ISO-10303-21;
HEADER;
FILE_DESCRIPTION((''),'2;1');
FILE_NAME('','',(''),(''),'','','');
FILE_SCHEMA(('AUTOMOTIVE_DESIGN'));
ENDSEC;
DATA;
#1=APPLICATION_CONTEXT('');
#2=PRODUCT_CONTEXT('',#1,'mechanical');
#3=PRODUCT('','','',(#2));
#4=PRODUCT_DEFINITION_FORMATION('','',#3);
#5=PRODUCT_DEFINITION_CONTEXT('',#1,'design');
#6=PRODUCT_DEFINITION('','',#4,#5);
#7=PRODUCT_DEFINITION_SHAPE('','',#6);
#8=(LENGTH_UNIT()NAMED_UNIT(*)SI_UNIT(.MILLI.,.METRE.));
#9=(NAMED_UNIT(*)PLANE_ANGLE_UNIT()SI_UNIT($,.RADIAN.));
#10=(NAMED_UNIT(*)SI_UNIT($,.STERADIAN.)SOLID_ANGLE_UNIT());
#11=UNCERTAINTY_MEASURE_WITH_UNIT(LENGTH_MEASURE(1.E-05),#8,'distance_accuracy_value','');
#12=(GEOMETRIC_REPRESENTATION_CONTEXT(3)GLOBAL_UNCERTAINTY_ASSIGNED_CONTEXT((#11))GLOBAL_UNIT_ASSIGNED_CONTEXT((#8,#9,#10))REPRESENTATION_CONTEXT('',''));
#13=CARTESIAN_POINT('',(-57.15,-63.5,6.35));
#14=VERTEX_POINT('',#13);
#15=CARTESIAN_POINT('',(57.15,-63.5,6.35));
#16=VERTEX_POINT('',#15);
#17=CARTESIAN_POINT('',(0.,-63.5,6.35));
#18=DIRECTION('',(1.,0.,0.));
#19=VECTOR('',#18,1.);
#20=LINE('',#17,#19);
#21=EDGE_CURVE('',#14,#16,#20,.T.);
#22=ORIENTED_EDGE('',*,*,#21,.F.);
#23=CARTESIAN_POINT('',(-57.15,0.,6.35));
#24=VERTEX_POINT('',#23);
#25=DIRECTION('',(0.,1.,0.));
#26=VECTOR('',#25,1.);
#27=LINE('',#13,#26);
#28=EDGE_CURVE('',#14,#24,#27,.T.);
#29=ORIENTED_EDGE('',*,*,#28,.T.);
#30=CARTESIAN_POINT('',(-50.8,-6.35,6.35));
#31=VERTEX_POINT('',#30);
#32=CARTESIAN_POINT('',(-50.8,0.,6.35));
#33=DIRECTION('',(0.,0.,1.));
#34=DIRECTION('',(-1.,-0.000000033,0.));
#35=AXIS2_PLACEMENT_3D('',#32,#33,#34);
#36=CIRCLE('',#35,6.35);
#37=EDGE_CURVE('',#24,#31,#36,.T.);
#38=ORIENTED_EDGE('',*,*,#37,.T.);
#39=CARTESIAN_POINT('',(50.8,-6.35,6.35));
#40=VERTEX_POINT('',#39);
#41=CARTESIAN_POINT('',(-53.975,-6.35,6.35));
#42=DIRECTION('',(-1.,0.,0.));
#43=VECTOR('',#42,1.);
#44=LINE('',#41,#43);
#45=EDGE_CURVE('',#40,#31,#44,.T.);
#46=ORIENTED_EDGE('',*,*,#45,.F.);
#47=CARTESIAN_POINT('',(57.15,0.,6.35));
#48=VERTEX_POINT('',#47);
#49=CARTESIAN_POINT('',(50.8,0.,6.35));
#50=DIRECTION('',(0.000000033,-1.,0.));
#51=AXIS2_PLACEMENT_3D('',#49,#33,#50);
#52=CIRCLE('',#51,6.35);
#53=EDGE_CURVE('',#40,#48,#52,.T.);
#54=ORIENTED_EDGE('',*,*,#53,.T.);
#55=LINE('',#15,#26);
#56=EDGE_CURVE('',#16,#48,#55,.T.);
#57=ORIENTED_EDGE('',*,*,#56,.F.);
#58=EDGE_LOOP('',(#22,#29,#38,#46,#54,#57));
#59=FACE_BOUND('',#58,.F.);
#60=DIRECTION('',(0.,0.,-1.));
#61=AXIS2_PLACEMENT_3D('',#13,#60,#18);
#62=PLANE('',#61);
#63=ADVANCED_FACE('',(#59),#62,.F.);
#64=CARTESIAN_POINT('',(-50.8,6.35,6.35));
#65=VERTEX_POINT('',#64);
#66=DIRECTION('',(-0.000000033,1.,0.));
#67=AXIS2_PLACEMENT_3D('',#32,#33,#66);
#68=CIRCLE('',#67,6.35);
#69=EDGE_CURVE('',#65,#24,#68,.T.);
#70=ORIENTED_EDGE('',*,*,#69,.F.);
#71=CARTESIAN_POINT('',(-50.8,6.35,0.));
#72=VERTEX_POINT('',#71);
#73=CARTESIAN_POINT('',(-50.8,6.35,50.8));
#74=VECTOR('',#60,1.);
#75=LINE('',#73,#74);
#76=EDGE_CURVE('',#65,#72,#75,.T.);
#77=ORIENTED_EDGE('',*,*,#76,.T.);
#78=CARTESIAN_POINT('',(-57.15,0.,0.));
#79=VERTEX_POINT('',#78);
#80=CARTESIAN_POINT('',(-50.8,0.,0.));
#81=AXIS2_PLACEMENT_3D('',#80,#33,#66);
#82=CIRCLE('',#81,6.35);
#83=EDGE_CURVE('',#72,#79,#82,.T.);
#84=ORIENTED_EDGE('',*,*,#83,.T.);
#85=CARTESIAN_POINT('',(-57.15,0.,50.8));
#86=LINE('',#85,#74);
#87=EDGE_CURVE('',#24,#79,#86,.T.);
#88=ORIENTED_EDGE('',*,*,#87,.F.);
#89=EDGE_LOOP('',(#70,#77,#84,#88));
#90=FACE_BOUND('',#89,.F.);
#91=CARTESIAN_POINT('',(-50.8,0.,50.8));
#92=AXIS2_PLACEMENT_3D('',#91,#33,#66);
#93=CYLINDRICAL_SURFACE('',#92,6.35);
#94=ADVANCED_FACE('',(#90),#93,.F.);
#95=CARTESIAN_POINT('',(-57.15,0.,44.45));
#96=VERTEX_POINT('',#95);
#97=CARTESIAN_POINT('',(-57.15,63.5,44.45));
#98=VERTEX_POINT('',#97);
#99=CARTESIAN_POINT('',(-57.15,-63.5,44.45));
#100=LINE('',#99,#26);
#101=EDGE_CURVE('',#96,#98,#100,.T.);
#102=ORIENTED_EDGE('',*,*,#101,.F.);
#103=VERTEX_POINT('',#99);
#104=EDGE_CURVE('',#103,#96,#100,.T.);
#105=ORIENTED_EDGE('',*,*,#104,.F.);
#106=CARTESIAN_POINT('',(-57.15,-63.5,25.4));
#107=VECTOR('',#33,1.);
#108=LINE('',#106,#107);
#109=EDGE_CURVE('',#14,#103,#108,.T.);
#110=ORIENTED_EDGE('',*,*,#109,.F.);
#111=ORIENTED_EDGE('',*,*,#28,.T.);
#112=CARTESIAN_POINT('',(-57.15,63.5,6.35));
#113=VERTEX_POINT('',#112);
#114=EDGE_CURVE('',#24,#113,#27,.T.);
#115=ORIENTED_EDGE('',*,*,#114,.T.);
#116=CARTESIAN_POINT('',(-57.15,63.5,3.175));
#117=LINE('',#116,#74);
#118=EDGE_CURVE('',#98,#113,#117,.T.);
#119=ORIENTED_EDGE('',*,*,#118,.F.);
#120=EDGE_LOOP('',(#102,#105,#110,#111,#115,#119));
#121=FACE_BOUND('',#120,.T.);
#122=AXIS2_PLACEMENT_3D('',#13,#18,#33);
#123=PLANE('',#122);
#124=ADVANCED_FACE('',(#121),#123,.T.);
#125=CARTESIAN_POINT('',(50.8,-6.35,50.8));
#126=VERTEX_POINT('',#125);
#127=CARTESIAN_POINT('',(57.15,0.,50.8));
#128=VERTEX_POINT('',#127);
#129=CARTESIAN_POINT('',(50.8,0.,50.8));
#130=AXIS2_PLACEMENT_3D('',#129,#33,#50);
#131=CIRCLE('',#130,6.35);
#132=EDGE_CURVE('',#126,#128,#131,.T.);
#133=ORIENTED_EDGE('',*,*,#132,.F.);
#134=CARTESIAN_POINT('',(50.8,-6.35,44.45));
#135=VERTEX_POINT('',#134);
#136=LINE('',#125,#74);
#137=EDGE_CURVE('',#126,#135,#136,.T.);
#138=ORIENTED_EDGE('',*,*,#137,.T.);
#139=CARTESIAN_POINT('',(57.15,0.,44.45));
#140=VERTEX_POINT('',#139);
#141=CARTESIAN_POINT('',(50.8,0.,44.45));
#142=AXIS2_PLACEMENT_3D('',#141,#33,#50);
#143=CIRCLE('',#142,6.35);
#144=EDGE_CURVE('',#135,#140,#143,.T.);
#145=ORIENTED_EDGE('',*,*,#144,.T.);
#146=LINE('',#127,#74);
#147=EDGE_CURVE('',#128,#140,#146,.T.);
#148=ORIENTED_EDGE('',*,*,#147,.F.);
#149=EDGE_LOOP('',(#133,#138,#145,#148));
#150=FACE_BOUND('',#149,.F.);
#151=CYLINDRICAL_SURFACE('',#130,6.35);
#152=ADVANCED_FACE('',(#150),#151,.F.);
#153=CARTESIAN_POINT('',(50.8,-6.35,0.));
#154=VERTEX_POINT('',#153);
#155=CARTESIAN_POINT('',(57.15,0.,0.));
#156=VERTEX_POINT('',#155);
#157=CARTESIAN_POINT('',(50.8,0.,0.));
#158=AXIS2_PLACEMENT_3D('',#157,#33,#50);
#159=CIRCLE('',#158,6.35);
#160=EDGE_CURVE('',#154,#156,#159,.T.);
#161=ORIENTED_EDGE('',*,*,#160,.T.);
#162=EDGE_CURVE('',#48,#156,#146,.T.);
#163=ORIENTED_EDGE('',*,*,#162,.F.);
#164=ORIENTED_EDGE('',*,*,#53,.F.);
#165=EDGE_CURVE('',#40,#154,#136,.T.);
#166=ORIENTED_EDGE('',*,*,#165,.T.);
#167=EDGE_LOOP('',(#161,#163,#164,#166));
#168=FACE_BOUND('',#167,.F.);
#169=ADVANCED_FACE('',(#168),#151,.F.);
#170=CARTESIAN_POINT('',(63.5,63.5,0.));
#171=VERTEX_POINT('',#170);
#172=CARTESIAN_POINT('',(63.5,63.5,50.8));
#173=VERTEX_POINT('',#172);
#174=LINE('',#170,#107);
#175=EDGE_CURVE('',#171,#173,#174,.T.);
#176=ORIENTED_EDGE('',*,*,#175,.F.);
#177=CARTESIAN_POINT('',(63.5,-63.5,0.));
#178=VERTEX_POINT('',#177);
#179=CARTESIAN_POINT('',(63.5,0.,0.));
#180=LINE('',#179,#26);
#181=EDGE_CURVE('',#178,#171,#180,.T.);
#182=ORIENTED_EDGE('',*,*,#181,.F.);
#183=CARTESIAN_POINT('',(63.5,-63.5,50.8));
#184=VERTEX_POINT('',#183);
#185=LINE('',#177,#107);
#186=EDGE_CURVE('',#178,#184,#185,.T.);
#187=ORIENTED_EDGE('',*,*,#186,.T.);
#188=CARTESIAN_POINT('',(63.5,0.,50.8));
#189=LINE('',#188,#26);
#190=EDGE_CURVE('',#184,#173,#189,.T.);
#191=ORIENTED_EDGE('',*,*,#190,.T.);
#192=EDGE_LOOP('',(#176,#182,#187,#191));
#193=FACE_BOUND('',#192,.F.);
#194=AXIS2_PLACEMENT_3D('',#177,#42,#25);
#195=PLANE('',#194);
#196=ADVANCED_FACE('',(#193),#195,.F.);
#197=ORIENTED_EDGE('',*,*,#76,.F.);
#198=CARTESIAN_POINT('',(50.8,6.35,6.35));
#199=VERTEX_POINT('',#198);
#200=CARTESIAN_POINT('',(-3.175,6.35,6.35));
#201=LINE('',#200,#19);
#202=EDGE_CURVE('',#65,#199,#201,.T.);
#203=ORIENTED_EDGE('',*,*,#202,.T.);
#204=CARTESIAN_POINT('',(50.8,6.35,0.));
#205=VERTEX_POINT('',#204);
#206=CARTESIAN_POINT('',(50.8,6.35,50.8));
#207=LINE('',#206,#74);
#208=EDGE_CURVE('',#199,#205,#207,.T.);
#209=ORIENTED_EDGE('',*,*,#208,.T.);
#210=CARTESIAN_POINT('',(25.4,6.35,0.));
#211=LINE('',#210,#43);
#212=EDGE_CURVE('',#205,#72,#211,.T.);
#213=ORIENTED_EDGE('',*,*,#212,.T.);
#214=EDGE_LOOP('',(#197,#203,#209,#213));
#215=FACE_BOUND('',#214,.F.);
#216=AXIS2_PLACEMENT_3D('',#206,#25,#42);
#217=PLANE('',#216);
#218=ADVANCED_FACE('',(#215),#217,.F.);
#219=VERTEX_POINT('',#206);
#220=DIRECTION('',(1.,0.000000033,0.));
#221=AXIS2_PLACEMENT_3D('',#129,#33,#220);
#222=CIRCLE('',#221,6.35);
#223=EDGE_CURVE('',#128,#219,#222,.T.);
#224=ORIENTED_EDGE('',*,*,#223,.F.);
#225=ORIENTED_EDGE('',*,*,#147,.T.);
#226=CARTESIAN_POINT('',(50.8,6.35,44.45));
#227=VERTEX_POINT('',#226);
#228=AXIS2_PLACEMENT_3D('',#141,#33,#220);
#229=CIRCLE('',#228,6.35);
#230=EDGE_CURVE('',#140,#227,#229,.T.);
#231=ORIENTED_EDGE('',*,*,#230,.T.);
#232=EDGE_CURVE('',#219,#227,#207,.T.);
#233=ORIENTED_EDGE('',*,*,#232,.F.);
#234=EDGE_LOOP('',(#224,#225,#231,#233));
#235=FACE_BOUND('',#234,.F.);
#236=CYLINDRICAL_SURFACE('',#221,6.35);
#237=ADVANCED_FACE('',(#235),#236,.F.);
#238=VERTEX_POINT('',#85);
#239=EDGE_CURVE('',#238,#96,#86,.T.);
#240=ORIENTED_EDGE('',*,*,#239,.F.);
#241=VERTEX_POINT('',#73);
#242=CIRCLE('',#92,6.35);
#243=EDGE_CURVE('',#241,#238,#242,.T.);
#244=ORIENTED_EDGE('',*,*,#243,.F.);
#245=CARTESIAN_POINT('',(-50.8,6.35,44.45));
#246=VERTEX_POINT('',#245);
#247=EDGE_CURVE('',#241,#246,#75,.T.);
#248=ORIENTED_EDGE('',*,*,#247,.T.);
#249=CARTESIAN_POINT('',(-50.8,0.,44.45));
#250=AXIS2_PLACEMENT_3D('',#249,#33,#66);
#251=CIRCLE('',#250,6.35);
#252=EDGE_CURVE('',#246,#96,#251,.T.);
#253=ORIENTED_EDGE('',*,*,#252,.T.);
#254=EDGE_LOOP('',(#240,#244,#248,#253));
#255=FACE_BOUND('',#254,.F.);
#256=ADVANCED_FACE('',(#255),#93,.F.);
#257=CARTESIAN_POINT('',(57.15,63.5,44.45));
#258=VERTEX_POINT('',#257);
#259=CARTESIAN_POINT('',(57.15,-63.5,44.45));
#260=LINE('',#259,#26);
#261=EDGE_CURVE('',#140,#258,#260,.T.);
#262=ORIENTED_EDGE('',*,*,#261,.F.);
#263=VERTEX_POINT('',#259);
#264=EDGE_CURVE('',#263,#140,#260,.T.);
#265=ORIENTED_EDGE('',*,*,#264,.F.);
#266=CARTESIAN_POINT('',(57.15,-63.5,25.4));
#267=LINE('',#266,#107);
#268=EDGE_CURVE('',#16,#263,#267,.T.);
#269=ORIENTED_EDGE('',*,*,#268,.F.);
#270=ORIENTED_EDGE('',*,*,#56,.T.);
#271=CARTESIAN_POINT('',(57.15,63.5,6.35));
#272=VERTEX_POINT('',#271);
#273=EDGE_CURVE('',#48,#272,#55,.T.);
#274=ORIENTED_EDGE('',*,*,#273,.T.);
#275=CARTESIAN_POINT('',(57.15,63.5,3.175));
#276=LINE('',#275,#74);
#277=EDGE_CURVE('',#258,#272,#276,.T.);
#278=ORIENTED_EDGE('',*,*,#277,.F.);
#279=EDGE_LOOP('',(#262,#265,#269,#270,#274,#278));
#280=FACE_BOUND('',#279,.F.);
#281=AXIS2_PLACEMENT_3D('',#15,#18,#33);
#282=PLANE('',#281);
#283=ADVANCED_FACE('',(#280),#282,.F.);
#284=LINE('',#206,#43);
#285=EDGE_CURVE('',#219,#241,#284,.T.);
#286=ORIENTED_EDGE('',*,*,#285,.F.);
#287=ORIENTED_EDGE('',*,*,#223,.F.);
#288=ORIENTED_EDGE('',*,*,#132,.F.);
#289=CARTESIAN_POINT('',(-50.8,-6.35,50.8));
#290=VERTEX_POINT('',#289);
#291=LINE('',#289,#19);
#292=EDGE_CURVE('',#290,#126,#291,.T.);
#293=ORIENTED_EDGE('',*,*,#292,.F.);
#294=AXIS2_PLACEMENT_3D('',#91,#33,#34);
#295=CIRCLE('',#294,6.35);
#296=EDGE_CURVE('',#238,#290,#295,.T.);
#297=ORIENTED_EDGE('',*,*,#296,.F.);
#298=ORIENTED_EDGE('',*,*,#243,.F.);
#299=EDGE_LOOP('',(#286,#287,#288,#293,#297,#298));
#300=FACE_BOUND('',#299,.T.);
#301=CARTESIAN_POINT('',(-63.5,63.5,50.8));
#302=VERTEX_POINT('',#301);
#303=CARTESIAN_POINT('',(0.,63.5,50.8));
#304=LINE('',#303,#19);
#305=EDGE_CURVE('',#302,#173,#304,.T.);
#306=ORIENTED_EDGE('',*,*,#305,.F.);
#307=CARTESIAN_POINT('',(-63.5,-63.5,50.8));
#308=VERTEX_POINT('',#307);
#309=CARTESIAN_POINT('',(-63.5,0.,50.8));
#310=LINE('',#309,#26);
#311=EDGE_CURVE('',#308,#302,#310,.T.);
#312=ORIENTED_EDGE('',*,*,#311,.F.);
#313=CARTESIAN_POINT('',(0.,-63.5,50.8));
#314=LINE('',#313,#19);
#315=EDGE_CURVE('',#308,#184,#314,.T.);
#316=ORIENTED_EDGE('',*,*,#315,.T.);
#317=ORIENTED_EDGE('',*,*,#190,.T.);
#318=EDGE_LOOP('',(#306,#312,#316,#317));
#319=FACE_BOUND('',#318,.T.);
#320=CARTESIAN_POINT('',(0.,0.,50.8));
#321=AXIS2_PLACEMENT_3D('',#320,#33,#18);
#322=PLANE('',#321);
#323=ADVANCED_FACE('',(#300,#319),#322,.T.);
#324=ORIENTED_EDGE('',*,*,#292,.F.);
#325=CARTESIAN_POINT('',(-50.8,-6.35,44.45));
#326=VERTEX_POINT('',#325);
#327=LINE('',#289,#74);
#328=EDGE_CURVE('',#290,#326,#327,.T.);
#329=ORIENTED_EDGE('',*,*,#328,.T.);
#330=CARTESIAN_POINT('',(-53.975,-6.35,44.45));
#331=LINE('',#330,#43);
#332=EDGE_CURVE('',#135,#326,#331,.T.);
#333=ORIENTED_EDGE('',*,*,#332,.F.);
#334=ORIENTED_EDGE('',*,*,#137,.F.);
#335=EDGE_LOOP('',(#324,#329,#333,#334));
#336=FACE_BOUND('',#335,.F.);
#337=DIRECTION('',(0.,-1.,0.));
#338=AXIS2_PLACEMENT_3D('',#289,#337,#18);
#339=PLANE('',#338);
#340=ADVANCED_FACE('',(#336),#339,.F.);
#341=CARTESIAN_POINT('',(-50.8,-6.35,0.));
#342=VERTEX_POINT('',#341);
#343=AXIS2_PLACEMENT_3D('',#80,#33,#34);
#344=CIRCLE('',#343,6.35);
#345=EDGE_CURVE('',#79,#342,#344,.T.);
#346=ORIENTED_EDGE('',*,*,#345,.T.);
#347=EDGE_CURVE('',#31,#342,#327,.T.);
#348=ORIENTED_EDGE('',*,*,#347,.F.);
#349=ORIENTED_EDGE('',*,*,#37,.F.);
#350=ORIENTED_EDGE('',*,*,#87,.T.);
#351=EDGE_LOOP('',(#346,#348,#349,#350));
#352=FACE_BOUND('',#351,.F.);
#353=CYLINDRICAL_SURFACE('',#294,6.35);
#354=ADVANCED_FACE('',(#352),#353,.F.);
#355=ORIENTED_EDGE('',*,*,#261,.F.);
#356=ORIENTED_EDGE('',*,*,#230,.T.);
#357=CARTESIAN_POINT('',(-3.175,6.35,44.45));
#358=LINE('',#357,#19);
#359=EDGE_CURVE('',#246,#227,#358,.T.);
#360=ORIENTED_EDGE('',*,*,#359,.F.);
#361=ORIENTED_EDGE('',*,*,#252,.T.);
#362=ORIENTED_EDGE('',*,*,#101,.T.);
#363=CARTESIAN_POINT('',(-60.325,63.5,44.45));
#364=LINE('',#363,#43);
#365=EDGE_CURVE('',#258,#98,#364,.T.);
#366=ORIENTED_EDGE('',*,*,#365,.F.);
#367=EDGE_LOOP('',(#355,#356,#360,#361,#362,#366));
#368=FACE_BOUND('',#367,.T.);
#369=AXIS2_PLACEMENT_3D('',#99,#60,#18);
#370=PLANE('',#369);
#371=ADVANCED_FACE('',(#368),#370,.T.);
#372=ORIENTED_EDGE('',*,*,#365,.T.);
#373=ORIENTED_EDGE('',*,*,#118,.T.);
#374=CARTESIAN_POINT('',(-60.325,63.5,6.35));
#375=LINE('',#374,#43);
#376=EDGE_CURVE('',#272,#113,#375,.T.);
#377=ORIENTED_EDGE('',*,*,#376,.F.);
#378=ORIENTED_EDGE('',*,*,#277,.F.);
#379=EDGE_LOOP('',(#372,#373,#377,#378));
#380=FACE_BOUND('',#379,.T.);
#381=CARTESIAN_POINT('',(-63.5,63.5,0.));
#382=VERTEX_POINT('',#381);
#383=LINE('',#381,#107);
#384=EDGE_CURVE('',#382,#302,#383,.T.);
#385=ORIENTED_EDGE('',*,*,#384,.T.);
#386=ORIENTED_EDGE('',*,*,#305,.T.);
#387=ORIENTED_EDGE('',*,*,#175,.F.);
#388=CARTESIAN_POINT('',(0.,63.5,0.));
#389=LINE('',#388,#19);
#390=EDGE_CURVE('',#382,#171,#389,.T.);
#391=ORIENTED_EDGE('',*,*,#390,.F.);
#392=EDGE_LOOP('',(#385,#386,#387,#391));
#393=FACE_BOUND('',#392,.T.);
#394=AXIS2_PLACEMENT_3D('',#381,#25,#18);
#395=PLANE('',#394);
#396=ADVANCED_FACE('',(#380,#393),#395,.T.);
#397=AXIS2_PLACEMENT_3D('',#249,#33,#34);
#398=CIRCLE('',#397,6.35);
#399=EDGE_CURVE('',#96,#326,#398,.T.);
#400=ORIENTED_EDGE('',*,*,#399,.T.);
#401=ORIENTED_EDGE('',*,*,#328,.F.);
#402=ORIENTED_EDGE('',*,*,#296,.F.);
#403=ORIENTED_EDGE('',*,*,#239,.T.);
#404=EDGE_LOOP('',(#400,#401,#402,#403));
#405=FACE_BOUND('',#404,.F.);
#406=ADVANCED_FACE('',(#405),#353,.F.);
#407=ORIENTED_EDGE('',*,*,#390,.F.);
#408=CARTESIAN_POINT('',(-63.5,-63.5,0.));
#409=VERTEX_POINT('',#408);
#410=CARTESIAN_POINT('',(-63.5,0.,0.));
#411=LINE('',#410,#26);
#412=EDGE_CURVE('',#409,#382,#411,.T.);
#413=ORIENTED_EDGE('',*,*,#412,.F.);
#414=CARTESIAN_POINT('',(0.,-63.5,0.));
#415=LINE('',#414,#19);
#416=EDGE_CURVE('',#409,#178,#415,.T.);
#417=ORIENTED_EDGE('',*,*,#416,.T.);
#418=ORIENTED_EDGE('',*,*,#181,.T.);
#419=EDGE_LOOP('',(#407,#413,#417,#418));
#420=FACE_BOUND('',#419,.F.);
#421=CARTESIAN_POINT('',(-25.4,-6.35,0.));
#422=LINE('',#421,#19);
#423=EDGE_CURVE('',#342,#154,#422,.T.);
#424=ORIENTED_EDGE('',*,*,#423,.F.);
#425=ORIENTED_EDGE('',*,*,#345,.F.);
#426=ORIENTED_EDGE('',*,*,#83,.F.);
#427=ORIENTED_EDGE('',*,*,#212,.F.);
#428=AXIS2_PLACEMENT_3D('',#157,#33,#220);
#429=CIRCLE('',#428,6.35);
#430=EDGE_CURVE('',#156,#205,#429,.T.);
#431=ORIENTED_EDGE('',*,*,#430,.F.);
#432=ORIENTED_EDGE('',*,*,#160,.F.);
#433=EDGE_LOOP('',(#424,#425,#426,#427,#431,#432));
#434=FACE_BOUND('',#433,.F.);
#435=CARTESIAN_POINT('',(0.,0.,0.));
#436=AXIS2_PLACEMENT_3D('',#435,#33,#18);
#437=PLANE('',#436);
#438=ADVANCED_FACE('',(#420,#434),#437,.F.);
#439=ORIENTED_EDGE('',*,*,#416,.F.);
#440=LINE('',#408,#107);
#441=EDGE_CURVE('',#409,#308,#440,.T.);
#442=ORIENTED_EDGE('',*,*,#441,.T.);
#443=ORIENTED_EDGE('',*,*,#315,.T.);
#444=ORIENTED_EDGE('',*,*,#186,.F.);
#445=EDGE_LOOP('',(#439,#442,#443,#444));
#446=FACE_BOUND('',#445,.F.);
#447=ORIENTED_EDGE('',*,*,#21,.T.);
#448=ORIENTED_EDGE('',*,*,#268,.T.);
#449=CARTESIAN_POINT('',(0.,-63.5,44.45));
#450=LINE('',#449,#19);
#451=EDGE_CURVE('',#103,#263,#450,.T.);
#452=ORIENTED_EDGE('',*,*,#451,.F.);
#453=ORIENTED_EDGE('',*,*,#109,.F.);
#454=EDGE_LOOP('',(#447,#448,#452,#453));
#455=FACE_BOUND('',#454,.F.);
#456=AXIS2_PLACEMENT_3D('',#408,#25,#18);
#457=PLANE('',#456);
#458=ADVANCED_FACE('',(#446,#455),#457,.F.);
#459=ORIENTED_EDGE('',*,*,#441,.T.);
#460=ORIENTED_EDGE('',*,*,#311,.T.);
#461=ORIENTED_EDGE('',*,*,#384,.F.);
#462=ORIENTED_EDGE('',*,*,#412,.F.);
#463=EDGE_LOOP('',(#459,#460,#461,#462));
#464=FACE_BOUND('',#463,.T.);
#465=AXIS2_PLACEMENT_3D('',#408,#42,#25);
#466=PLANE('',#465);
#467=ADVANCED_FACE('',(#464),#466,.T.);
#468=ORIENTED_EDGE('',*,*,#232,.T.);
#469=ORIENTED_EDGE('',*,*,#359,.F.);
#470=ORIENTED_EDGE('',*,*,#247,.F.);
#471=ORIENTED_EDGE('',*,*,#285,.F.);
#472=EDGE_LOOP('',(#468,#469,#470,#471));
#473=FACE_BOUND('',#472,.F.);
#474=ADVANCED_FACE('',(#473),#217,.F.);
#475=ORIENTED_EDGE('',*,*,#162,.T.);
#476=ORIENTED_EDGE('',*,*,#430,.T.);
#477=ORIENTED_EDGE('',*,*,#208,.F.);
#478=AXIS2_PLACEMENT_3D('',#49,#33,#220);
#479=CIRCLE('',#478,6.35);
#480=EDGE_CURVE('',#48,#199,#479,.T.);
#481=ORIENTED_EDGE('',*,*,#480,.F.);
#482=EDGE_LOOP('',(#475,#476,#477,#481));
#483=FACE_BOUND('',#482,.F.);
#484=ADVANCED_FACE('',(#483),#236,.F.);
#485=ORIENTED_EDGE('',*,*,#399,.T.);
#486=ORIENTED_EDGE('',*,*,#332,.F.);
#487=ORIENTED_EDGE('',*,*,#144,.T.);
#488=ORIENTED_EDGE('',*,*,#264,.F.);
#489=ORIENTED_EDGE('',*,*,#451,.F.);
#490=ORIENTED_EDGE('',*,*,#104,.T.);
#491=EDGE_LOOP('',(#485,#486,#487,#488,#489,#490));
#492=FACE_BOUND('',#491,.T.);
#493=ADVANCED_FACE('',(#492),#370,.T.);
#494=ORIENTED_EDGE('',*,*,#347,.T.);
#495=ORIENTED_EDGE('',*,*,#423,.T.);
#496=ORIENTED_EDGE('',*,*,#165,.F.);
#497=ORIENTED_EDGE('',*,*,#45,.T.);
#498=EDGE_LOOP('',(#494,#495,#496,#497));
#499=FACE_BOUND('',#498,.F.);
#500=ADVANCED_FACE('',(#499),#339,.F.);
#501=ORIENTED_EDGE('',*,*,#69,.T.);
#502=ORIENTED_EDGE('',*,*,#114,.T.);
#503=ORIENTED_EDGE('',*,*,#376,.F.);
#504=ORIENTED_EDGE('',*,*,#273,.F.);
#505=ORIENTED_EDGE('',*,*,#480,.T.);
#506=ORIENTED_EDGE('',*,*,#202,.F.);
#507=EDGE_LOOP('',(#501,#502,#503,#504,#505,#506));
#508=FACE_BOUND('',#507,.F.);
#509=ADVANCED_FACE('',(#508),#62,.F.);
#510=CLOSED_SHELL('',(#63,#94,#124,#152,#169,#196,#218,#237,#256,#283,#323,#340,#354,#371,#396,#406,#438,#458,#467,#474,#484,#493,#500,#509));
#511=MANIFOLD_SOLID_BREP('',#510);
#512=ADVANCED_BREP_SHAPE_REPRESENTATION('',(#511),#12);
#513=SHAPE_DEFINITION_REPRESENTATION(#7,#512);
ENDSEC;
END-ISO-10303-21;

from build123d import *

# Parameters (mm, degrees)
F0_W     = 127
F0_H     = 127
F1_DEPTH = 50.8
F2_W     = 114.3
F2_H     = 38.1
F3_DEPTH = 127.001
F5_DEPTH = 50.801


with BuildPart() as f1:
    # F0 (on Top) → F1 (new body)
    with BuildSketch(Plane.XY):
        Rectangle(F0_W, F0_H)
    extrude(amount=F1_DEPTH)

    # F2 (on face) → F3 (cut, through all)
    with BuildSketch(Plane.XZ.offset(63.5)):
        with Locations((0, 25.4)):
            Rectangle(F2_W, F2_H)
    extrude(amount=-F3_DEPTH, mode=Mode.SUBTRACT)

    # F4 (on face) → F5 (cut, through all)
    with BuildSketch(Plane.XY.offset(50.8)):
        with BuildLine():
            ThreePointArc((50.8, -6.35), (44.45, 0), (50.8, 6.35))
            Line((50.8, 6.35), (-50.8, 6.35))
            ThreePointArc((-50.8, 6.35), (-46.309872, 4.490128), (-44.45, 0))
            ThreePointArc((-44.45, 0), (-46.309872, -4.490128), (-50.8, -6.35))
            Line((-50.8, -6.35), (50.8, -6.35))
        make_face()
        with BuildLine():
            ThreePointArc((50.8, -6.35), (55.290128, -4.490128), (57.15, 0))
            ThreePointArc((57.15, 0), (55.290128, 4.490128), (50.8, 6.35))
            ThreePointArc((50.8, 6.35), (44.45, 0), (50.8, -6.35))
        make_face()
        with BuildLine():
            ThreePointArc((-44.45, 0), (-46.309872, 4.490128), (-50.8, 6.35))
            ThreePointArc((-50.8, 6.35), (-55.290128, 4.490128), (-57.15, 0))
            ThreePointArc((-57.15, 0), (-55.290128, -4.490128), (-50.8, -6.35))
            ThreePointArc((-50.8, -6.35), (-46.309872, -4.490128), (-44.45, 0))
        make_face()
    extrude(amount=-F5_DEPTH, mode=Mode.SUBTRACT)


solid = f1.part
